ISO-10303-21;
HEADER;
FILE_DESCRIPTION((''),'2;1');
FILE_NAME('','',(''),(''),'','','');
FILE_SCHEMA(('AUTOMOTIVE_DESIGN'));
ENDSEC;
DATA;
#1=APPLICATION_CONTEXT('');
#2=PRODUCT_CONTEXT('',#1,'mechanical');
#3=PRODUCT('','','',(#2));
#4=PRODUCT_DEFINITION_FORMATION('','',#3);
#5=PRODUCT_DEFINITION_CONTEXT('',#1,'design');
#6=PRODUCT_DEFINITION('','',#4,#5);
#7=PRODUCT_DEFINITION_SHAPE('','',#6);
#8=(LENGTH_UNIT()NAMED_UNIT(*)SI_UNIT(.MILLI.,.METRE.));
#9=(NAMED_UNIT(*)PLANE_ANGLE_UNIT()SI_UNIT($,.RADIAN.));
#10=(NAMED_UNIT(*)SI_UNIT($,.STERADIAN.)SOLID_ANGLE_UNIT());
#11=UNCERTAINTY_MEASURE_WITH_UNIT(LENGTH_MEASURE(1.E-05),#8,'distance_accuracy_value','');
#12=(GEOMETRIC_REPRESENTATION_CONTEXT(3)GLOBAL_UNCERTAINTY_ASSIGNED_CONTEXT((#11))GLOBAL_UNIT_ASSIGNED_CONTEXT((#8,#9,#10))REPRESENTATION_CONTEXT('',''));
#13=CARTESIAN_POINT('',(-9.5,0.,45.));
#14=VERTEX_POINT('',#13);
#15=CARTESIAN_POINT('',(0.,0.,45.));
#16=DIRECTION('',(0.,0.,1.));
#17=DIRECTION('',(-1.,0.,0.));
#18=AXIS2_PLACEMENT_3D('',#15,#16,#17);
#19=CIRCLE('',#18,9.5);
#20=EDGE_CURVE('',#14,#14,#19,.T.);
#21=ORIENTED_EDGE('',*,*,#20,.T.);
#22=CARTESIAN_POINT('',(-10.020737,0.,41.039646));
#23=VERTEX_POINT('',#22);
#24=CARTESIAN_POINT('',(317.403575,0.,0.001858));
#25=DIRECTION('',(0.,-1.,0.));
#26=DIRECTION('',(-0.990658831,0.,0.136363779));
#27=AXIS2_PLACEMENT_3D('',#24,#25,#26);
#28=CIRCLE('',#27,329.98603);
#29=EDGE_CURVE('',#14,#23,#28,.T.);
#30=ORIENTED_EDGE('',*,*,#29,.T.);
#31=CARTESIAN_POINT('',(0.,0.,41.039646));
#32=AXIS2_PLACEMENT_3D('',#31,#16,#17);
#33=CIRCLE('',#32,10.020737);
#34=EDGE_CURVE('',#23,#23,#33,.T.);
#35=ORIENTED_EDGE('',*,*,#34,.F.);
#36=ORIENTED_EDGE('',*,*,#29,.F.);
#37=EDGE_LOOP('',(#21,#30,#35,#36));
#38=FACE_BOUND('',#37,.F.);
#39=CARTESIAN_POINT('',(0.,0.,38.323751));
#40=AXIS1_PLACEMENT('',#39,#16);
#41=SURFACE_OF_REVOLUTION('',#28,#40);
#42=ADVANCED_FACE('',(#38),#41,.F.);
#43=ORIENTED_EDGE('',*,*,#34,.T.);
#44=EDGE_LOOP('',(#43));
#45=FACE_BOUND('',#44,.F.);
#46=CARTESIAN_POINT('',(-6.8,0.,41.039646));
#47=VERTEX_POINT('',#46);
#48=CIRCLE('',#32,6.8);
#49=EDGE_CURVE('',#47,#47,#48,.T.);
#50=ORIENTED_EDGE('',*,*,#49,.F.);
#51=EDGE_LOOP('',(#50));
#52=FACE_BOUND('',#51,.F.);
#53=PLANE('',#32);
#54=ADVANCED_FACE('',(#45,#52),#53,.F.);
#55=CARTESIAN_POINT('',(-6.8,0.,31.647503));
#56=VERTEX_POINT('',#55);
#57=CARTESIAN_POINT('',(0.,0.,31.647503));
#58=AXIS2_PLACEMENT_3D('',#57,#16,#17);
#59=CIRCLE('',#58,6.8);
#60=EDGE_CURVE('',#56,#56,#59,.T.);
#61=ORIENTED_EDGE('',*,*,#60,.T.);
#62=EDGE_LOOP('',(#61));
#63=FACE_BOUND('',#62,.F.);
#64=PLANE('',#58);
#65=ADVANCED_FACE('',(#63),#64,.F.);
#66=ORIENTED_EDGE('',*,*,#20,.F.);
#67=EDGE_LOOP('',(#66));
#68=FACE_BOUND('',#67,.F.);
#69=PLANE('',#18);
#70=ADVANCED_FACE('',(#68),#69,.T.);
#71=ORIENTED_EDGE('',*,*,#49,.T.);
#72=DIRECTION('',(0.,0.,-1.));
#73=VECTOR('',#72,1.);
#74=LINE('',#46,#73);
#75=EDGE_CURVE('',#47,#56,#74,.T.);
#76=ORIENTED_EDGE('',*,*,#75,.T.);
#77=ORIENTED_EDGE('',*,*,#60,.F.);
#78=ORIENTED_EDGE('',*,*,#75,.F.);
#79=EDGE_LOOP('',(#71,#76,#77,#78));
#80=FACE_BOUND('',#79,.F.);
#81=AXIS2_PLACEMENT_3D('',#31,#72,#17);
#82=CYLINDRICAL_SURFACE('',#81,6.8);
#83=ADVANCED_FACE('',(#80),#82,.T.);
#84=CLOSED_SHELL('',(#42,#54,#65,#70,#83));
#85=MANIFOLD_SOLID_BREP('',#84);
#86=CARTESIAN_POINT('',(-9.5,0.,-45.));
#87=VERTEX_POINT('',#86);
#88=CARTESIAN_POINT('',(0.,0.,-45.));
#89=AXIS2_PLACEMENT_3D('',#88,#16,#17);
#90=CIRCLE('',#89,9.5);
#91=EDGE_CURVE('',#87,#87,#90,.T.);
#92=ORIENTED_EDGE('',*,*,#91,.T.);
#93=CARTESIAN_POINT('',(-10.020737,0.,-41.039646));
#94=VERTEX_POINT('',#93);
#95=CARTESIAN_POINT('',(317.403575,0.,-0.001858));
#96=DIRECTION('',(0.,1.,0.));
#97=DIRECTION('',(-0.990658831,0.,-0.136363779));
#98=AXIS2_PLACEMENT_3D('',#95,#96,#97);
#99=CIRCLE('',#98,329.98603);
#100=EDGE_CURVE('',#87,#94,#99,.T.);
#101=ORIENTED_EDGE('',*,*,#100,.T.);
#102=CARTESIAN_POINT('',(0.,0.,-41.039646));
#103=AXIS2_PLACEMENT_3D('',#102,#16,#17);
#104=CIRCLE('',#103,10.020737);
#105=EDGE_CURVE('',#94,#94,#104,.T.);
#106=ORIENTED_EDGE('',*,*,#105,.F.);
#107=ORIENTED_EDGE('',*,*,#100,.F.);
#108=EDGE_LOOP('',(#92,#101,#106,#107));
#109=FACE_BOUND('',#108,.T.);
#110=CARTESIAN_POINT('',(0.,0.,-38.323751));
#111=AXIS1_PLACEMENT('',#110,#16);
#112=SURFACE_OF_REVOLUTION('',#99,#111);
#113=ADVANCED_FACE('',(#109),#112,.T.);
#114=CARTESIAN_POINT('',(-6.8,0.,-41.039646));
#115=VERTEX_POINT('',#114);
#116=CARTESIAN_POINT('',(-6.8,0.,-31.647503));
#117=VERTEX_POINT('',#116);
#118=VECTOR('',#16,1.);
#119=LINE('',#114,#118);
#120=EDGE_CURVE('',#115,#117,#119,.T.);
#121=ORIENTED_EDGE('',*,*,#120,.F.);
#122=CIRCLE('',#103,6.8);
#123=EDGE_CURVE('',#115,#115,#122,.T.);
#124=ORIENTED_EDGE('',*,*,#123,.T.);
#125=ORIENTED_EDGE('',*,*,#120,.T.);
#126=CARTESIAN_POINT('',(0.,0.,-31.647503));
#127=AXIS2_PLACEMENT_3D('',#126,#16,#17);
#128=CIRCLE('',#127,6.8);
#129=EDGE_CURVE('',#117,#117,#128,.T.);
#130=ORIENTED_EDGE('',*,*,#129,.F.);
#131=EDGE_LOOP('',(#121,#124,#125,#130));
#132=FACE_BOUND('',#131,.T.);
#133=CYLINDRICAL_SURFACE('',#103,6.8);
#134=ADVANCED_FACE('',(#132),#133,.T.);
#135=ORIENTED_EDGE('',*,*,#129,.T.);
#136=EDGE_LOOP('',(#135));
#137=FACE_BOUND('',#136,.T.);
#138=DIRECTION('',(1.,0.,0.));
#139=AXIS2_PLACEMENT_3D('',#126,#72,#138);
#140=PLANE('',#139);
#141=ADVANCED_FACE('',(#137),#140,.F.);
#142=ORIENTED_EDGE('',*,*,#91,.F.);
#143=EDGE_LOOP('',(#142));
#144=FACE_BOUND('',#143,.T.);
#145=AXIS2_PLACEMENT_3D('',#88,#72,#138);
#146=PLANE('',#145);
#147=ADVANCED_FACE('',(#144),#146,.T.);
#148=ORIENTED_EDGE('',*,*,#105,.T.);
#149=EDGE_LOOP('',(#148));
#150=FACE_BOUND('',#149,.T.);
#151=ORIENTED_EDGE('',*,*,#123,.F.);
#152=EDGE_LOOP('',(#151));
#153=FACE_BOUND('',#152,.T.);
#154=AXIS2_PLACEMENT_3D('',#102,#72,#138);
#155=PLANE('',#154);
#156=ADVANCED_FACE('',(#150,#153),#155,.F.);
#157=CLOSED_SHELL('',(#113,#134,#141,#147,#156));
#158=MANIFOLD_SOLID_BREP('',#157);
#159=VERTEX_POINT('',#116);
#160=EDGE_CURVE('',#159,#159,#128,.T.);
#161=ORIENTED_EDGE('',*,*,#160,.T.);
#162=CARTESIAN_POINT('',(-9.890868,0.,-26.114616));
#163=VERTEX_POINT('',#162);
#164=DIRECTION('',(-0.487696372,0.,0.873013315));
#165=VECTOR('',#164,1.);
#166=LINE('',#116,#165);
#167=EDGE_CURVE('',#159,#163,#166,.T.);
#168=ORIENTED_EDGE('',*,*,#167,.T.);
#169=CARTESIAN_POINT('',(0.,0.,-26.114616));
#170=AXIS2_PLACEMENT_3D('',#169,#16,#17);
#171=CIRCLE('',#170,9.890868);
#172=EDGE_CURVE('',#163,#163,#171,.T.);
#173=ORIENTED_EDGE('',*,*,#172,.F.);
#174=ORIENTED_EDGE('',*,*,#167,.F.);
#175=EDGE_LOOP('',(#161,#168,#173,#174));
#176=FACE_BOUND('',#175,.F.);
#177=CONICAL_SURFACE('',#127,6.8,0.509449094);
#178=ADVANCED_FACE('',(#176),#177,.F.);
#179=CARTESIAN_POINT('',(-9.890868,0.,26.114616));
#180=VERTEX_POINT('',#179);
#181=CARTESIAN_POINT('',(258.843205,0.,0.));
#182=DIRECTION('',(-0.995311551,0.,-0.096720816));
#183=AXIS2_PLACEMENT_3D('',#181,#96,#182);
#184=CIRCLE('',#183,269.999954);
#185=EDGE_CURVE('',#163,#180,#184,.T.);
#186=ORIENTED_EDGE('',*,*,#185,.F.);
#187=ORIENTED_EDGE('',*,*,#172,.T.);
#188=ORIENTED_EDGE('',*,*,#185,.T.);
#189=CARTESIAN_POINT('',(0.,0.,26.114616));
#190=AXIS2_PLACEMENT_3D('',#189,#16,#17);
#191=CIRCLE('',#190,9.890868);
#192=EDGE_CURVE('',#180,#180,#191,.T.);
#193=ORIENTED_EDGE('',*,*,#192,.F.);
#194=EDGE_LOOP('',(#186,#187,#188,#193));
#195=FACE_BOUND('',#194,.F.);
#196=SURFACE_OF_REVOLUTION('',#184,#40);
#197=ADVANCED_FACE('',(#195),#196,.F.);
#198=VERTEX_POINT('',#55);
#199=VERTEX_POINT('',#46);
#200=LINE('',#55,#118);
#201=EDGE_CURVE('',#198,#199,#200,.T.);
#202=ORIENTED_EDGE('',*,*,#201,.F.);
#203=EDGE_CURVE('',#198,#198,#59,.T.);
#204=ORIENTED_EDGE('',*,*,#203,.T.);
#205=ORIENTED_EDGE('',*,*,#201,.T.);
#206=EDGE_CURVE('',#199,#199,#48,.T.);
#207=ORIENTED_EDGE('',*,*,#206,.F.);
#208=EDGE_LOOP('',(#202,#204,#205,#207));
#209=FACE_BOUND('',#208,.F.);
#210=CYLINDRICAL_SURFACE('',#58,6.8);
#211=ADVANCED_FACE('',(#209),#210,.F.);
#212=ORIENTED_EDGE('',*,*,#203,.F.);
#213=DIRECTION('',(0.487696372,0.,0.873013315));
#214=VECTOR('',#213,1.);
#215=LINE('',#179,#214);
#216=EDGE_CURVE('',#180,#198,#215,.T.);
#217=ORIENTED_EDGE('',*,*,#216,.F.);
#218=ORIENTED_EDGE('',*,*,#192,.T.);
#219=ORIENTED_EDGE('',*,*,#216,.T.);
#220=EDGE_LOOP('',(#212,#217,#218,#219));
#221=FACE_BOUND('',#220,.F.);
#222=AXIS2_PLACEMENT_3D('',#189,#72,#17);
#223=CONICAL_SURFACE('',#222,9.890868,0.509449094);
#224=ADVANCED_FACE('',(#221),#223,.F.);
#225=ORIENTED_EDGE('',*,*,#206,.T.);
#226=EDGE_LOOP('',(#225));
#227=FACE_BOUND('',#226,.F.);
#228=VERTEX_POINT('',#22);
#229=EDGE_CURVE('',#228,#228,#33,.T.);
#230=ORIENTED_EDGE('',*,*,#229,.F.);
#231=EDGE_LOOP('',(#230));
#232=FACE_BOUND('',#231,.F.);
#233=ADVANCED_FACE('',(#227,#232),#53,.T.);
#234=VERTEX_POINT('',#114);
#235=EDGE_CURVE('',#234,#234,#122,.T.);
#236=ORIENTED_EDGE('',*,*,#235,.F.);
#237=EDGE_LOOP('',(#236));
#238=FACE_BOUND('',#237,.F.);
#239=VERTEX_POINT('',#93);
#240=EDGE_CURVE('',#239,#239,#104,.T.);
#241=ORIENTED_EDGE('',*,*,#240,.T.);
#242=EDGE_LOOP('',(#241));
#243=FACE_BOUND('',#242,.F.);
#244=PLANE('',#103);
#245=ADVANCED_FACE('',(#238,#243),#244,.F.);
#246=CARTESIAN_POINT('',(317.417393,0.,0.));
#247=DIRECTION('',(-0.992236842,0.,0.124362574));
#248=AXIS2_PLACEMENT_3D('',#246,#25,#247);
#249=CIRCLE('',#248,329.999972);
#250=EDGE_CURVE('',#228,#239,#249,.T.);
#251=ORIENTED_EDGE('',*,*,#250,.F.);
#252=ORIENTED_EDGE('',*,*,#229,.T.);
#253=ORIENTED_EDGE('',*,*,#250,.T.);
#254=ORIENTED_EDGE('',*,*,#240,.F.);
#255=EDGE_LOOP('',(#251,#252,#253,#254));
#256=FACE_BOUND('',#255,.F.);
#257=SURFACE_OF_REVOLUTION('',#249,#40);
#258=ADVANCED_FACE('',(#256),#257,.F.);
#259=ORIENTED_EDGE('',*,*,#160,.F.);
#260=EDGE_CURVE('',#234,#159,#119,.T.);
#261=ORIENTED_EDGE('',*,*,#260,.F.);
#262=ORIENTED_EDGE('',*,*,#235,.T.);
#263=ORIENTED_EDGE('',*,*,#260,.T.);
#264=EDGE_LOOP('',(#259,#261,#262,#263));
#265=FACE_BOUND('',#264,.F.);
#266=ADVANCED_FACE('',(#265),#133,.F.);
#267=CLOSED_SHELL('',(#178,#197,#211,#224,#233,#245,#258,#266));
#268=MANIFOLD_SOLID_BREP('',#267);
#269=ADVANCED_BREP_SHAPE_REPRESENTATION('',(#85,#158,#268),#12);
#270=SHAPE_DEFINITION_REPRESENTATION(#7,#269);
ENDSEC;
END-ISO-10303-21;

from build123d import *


with BuildPart() as f1:
    # F0 (on Front) → F1 (revolve)
    with BuildSketch(Plane.XZ):
        with BuildLine():
            Line((-6.8, 41.039646), (-10.020737, 41.039646))
            ThreePointArc((-10.020737, 41.039646), (-12.582579, 0), (-10.020737, -41.039646))
            Line((-10.020737, -41.039646), (-6.8, -41.039646))
            Line((-6.8, -41.039646), (-6.8, -31.647503))
            Line((-6.8, -31.647503), (-9.890868, -26.114616))
            ThreePointArc((-9.890868, -26.114616), (-11.156749, 0), (-9.890868, 26.114616))
            Line((-9.890868, 26.114616), (-6.8, 31.647503))
            Line((-6.8, 31.647503), (-6.8, 41.039646))
        make_face()
    revolve(axis=Axis((0, 0, 38.323751), (0, 0, 1)))


with BuildPart() as f2:
    # F0 (on Front) → F2 (revolve)
    with BuildSketch(Plane.XZ):
        with BuildLine():
            Line((0, 31.647503), (0, 45))
            Line((0, 45), (-9.5, 45))
            ThreePointArc((-9.5, 45), (-9.766361, 43.020611), (-10.020737, 41.039646))
            Line((-10.020737, 41.039646), (-6.8, 41.039646))
            Line((-6.8, 41.039646), (-6.8, 31.647503))
            Line((-6.8, 31.647503), (0, 31.647503))
        make_face()
    revolve(axis=Axis((0, 0, 38.323751), (0, 0, 1)))


with BuildPart() as f3_1:
    # F3: instance of F2
    add(f2.part.mirror(Plane.XY))


solid = Compound([f1.part, f2.part, f3_1.part])
